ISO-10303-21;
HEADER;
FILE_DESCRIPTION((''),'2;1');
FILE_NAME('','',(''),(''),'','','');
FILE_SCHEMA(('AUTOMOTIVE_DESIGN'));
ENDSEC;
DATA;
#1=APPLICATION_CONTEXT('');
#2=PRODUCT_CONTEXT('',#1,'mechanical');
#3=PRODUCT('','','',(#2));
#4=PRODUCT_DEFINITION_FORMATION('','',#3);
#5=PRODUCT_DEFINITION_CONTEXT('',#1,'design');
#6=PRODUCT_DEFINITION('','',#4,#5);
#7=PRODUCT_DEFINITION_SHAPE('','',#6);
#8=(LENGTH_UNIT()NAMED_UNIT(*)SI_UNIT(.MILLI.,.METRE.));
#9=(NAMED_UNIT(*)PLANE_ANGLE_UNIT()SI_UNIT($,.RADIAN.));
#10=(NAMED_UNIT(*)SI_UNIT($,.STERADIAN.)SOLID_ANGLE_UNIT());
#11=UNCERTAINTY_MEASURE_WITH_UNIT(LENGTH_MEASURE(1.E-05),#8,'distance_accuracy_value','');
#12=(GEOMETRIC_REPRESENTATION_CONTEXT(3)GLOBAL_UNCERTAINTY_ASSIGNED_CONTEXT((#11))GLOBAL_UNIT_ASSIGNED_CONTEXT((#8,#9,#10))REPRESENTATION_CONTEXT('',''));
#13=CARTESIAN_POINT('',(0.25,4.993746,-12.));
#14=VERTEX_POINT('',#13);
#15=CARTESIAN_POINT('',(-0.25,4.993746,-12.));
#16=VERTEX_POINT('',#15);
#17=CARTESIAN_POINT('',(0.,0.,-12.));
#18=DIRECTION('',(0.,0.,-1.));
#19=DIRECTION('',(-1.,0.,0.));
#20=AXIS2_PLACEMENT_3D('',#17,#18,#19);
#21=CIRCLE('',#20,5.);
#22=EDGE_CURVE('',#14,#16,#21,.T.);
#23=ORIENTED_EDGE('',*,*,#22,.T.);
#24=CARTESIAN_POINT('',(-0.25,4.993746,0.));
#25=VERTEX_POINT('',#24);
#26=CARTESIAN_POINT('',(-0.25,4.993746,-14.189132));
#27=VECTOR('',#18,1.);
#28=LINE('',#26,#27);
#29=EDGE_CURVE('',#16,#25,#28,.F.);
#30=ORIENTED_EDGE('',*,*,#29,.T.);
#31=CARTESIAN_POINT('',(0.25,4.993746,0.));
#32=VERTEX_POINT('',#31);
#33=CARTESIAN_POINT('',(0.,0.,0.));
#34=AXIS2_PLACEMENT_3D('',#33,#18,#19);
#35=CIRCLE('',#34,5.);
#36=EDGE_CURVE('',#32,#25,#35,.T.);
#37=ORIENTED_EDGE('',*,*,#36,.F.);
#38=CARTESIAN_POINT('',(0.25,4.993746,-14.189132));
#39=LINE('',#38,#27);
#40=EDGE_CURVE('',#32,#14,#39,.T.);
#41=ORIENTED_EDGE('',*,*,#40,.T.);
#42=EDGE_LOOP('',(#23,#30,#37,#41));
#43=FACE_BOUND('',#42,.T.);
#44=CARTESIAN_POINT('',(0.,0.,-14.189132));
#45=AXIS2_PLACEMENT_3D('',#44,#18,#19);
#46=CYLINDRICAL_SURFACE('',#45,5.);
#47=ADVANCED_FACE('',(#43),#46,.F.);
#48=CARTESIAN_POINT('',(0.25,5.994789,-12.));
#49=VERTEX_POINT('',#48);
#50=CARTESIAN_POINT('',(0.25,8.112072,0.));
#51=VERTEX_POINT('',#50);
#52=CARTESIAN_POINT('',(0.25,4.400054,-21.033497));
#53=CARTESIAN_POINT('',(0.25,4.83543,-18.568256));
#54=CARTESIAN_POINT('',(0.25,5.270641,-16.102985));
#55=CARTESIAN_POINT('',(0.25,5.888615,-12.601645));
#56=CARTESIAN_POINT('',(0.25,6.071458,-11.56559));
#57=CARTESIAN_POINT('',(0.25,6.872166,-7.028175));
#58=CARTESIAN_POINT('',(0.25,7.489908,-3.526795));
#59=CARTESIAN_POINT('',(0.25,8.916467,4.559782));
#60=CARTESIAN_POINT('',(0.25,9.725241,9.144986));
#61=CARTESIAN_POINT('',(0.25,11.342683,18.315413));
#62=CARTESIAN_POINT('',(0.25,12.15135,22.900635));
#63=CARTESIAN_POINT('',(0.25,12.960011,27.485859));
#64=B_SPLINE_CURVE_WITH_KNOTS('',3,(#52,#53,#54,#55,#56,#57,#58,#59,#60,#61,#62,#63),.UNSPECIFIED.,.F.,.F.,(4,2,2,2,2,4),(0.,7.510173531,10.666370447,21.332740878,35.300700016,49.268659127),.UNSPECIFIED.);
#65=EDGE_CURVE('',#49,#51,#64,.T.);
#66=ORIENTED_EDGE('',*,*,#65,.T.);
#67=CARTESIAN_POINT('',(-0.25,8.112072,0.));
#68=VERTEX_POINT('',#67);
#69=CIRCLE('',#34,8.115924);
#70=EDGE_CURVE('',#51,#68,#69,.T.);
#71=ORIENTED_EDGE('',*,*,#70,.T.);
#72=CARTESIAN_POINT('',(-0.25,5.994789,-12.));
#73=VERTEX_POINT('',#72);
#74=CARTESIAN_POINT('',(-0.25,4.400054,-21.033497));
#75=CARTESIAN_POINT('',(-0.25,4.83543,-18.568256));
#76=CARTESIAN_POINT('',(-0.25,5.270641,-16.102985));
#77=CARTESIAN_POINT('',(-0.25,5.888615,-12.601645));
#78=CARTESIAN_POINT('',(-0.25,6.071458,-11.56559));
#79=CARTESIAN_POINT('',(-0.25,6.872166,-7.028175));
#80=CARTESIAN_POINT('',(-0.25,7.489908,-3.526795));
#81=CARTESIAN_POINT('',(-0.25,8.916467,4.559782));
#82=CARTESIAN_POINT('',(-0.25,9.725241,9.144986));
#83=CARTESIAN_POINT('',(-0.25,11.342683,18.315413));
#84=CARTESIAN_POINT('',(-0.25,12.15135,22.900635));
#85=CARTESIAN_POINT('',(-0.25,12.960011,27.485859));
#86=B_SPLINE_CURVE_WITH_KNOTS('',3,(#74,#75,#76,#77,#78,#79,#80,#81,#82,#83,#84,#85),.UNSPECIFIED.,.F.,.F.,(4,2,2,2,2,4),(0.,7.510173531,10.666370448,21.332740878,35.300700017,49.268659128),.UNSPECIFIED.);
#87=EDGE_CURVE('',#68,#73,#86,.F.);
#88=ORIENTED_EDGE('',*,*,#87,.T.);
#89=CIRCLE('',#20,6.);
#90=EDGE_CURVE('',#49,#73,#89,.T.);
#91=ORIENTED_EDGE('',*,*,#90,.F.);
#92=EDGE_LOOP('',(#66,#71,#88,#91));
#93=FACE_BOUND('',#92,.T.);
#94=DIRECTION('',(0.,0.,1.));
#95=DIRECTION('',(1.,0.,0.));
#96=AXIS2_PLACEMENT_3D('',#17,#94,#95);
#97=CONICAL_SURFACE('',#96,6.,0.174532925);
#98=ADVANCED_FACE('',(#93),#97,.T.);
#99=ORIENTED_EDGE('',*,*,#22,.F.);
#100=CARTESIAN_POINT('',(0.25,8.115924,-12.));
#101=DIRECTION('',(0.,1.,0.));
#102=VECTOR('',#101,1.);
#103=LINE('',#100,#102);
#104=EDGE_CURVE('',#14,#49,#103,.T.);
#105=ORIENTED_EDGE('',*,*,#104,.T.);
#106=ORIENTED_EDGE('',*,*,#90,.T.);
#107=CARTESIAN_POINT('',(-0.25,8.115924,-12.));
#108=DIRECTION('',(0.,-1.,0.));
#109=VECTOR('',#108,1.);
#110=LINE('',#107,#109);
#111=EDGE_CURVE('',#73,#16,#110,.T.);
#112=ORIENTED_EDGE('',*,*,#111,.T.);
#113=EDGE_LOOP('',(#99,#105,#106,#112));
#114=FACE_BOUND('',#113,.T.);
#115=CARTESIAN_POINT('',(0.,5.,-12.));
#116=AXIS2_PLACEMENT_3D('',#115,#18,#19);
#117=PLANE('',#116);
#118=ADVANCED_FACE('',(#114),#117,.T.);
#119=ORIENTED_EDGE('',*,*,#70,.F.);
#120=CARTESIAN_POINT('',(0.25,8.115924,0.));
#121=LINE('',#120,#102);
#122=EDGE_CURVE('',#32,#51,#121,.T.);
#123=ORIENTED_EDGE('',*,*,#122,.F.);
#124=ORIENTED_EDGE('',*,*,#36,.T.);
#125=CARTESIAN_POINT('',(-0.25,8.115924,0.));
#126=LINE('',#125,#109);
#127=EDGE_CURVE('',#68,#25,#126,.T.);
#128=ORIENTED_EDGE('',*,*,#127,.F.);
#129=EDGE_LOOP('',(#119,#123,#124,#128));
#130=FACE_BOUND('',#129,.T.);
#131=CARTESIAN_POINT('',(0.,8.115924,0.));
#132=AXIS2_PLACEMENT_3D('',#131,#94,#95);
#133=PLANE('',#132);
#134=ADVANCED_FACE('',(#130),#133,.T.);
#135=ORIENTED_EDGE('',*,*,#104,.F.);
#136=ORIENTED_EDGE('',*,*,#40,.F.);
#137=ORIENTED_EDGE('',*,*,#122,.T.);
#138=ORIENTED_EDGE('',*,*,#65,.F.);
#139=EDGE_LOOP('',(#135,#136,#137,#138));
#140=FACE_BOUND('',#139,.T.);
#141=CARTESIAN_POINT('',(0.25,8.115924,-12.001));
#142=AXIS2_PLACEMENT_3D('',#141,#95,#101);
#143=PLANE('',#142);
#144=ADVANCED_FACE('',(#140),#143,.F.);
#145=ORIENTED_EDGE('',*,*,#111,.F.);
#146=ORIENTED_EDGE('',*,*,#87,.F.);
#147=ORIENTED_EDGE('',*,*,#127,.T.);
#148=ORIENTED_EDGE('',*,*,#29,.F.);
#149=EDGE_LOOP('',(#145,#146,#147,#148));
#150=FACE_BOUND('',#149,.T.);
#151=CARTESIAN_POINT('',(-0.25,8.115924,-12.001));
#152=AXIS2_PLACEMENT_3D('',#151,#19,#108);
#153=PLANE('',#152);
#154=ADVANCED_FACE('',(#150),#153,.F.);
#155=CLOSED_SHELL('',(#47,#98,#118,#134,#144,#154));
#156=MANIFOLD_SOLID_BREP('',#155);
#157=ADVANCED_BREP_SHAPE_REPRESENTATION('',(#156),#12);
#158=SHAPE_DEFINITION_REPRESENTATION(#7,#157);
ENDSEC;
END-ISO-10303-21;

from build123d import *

# Parameters (mm, degrees)
CUT_EXTRUDE1_REACH = 18.605
SKETCH2_W          = 0.5
SKETCH2_H          = 8.115923769


with BuildPart() as part:
    # Sketch1 → Revolve1 (revolve)
    with BuildSketch(Plane(origin=(0, 0, 0), x_dir=(0, 0, -1), z_dir=(1, 0, 0)), mode=Mode.PRIVATE) as revolve1_sk:
        Polygon((0, 8.115923769), (0, 5), (12, 5), (12, 6), align=None)
    revolve(revolve1_sk.sketch.rotate(Axis((0, 0, -14.189132044), (0, 0, 1)), 90), axis=Axis((0, 0, -14.189132044), (0, 0, 1)))

    # Sketch2 → Cut-Extrude1 (cut, up to next)
    with BuildSketch(Plane.XY, mode=Mode.PRIVATE) as cut_extrude1_sk1:
        with Locations((0, 4.057961885)):
            Rectangle(SKETCH2_W, SKETCH2_H)
    cut_extrude1_tool1 = extrude(cut_extrude1_sk1.sketch, amount=-CUT_EXTRUDE1_REACH, mode=Mode.PRIVATE) & part.part
    add(cut_extrude1_tool1.solids().sort_by_distance((0, 4.057962, 0))[0], mode=Mode.SUBTRACT)


solid = part.part
